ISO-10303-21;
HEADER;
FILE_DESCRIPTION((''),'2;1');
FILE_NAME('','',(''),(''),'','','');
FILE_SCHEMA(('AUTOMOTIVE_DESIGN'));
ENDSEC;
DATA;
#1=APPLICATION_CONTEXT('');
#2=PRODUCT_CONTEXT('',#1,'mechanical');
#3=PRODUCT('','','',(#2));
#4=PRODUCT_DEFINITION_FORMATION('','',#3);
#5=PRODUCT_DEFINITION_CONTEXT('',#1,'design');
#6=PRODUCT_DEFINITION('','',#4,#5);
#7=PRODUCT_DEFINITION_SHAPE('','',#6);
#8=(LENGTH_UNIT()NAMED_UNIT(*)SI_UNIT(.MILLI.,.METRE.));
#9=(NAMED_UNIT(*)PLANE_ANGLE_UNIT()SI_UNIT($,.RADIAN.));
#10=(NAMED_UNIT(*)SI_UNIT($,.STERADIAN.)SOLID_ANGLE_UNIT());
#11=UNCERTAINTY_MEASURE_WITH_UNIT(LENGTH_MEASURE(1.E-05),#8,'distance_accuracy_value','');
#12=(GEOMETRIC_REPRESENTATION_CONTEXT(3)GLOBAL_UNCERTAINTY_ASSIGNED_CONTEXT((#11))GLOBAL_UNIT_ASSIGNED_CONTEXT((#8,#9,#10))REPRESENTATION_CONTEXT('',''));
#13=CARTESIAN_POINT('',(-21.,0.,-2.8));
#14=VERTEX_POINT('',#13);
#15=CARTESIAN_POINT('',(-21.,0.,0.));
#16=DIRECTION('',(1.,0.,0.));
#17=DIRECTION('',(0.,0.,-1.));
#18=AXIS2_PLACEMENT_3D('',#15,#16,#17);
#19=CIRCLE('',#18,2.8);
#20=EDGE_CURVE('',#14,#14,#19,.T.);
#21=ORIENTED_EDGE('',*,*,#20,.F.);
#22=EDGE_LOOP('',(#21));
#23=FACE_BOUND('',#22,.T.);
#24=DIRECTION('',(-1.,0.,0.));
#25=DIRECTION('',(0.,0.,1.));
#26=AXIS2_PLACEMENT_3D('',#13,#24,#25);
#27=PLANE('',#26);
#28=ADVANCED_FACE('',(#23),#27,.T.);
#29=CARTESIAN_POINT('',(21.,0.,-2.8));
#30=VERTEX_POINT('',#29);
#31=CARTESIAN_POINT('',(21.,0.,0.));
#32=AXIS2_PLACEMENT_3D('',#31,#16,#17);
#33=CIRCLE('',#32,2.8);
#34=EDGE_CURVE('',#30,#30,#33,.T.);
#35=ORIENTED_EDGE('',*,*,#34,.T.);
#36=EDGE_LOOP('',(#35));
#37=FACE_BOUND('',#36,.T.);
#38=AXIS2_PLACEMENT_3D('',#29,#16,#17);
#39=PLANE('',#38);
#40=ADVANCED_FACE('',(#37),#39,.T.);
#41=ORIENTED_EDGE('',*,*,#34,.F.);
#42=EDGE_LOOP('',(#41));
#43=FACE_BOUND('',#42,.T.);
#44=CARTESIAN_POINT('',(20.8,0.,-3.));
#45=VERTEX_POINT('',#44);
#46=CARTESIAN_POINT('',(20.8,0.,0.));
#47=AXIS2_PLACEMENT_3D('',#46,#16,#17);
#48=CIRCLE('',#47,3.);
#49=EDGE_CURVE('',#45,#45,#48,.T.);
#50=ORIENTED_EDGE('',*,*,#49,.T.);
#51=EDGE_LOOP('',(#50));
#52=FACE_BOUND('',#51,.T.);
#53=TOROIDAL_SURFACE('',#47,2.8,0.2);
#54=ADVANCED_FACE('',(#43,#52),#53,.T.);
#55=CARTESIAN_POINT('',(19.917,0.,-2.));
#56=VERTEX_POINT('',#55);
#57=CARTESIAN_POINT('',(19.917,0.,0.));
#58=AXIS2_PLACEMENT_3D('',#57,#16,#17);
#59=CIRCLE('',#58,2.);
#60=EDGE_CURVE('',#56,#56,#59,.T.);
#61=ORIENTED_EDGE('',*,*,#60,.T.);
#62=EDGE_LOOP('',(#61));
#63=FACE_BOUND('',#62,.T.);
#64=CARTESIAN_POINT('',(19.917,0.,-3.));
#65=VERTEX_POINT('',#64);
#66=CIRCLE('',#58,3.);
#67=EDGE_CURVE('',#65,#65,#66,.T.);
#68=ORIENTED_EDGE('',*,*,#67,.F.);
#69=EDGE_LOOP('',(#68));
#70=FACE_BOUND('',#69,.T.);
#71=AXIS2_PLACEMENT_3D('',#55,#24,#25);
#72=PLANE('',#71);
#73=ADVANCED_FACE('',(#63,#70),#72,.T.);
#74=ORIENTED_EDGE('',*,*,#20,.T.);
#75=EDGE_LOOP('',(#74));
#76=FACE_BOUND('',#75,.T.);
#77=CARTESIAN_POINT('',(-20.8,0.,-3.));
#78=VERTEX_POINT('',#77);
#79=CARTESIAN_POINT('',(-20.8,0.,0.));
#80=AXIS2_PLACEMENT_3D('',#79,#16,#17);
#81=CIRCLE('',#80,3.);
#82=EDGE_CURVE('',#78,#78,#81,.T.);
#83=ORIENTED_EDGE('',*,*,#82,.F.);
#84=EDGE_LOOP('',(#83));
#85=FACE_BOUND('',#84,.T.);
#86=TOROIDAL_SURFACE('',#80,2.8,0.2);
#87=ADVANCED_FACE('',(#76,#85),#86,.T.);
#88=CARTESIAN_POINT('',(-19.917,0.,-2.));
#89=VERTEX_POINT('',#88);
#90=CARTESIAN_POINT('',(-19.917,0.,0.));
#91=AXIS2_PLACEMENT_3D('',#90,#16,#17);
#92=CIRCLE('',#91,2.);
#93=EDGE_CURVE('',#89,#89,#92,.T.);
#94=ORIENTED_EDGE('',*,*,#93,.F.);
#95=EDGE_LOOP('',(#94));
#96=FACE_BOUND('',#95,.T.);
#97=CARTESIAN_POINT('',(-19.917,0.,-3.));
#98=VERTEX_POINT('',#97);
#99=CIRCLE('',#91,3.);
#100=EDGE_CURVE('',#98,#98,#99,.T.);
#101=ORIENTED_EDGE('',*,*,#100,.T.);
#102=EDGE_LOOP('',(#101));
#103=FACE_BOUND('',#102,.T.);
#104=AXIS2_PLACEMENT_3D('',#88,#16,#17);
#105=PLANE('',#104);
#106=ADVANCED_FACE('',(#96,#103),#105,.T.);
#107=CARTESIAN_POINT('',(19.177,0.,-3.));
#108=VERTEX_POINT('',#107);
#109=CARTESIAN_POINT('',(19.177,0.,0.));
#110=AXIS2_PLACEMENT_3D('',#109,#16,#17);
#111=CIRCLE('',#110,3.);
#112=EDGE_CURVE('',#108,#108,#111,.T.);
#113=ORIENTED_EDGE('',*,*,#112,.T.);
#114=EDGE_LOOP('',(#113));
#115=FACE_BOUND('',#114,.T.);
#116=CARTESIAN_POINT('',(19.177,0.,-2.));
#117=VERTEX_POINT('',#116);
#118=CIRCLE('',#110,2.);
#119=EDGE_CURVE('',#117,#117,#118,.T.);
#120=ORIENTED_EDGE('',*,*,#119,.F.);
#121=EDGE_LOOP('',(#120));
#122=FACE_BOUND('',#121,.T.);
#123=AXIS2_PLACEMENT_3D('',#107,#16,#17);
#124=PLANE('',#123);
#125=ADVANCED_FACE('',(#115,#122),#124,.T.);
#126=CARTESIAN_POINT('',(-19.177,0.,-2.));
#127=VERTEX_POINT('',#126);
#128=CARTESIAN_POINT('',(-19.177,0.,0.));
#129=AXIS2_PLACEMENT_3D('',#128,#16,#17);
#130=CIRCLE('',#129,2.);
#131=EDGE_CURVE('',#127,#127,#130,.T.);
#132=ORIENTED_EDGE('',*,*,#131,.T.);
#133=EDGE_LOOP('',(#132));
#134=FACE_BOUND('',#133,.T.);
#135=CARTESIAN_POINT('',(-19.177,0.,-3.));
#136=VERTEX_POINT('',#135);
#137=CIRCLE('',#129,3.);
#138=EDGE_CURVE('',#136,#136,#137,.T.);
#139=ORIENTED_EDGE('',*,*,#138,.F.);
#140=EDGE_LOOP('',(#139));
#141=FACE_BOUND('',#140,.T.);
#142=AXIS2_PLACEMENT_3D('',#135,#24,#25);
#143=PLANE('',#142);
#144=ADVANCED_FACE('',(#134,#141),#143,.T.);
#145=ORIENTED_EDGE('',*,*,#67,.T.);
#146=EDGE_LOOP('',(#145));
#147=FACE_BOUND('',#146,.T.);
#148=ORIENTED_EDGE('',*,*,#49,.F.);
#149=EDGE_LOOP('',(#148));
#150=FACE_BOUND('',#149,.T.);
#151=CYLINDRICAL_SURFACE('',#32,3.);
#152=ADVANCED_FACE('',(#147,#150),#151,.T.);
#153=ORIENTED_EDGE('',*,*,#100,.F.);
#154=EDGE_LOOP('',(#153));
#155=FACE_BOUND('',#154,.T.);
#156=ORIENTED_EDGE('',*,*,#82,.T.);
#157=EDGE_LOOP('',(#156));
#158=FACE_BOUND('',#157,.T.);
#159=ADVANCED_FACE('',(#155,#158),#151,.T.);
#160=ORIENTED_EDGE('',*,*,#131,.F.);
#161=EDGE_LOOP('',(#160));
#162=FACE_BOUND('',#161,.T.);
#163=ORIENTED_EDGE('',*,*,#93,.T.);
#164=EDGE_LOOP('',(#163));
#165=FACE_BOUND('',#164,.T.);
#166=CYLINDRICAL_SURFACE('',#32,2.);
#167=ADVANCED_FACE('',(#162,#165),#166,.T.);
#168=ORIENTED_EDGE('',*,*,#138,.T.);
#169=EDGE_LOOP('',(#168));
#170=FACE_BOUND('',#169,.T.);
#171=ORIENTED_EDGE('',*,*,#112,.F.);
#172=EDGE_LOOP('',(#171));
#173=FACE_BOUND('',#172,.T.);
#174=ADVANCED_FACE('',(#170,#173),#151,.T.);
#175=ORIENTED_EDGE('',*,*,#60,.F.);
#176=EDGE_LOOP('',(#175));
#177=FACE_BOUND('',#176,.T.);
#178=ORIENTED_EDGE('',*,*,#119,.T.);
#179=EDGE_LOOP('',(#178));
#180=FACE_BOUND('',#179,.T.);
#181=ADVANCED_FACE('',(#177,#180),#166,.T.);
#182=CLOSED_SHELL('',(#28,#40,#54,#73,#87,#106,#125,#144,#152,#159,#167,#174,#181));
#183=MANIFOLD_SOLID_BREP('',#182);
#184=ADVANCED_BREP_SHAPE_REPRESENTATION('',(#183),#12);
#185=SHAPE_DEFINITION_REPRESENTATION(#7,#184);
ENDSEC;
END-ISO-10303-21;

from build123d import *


with BuildPart() as part:
    # Sketch1 → Revolve1 (revolve)
    with BuildSketch(Plane(origin=(0, 0, 0), x_dir=(1, 0, 0), z_dir=(0, 1, 0))):
        with BuildLine():
            Line((-19.177, 3), (19.177, 3))
            Line((19.177, 3), (19.177, 2))
            Line((19.177, 2), (19.917, 2))
            Line((19.917, 2), (19.917, 3))
            Line((19.917, 3), (20.8, 3))
            ThreePointArc((20.8, 3), (20.941421356, 2.941421356), (21, 2.8))
            Line((21, 2.8), (21, 0))
            Line((21, 0), (-21, 0))
            Line((-21, 0), (-21, 2.8))
            ThreePointArc((-21, 2.8), (-20.941421356, 2.941421356), (-20.8, 3))
            Line((-20.8, 3), (-19.917, 3))
            Line((-19.917, 3), (-19.917, 2))
            Line((-19.917, 2), (-19.177, 2))
            Line((-19.177, 2), (-19.177, 3))
        make_face()
    revolve(axis=Axis((21, 0, 0), (-1, 0, 0)))


solid = part.part
